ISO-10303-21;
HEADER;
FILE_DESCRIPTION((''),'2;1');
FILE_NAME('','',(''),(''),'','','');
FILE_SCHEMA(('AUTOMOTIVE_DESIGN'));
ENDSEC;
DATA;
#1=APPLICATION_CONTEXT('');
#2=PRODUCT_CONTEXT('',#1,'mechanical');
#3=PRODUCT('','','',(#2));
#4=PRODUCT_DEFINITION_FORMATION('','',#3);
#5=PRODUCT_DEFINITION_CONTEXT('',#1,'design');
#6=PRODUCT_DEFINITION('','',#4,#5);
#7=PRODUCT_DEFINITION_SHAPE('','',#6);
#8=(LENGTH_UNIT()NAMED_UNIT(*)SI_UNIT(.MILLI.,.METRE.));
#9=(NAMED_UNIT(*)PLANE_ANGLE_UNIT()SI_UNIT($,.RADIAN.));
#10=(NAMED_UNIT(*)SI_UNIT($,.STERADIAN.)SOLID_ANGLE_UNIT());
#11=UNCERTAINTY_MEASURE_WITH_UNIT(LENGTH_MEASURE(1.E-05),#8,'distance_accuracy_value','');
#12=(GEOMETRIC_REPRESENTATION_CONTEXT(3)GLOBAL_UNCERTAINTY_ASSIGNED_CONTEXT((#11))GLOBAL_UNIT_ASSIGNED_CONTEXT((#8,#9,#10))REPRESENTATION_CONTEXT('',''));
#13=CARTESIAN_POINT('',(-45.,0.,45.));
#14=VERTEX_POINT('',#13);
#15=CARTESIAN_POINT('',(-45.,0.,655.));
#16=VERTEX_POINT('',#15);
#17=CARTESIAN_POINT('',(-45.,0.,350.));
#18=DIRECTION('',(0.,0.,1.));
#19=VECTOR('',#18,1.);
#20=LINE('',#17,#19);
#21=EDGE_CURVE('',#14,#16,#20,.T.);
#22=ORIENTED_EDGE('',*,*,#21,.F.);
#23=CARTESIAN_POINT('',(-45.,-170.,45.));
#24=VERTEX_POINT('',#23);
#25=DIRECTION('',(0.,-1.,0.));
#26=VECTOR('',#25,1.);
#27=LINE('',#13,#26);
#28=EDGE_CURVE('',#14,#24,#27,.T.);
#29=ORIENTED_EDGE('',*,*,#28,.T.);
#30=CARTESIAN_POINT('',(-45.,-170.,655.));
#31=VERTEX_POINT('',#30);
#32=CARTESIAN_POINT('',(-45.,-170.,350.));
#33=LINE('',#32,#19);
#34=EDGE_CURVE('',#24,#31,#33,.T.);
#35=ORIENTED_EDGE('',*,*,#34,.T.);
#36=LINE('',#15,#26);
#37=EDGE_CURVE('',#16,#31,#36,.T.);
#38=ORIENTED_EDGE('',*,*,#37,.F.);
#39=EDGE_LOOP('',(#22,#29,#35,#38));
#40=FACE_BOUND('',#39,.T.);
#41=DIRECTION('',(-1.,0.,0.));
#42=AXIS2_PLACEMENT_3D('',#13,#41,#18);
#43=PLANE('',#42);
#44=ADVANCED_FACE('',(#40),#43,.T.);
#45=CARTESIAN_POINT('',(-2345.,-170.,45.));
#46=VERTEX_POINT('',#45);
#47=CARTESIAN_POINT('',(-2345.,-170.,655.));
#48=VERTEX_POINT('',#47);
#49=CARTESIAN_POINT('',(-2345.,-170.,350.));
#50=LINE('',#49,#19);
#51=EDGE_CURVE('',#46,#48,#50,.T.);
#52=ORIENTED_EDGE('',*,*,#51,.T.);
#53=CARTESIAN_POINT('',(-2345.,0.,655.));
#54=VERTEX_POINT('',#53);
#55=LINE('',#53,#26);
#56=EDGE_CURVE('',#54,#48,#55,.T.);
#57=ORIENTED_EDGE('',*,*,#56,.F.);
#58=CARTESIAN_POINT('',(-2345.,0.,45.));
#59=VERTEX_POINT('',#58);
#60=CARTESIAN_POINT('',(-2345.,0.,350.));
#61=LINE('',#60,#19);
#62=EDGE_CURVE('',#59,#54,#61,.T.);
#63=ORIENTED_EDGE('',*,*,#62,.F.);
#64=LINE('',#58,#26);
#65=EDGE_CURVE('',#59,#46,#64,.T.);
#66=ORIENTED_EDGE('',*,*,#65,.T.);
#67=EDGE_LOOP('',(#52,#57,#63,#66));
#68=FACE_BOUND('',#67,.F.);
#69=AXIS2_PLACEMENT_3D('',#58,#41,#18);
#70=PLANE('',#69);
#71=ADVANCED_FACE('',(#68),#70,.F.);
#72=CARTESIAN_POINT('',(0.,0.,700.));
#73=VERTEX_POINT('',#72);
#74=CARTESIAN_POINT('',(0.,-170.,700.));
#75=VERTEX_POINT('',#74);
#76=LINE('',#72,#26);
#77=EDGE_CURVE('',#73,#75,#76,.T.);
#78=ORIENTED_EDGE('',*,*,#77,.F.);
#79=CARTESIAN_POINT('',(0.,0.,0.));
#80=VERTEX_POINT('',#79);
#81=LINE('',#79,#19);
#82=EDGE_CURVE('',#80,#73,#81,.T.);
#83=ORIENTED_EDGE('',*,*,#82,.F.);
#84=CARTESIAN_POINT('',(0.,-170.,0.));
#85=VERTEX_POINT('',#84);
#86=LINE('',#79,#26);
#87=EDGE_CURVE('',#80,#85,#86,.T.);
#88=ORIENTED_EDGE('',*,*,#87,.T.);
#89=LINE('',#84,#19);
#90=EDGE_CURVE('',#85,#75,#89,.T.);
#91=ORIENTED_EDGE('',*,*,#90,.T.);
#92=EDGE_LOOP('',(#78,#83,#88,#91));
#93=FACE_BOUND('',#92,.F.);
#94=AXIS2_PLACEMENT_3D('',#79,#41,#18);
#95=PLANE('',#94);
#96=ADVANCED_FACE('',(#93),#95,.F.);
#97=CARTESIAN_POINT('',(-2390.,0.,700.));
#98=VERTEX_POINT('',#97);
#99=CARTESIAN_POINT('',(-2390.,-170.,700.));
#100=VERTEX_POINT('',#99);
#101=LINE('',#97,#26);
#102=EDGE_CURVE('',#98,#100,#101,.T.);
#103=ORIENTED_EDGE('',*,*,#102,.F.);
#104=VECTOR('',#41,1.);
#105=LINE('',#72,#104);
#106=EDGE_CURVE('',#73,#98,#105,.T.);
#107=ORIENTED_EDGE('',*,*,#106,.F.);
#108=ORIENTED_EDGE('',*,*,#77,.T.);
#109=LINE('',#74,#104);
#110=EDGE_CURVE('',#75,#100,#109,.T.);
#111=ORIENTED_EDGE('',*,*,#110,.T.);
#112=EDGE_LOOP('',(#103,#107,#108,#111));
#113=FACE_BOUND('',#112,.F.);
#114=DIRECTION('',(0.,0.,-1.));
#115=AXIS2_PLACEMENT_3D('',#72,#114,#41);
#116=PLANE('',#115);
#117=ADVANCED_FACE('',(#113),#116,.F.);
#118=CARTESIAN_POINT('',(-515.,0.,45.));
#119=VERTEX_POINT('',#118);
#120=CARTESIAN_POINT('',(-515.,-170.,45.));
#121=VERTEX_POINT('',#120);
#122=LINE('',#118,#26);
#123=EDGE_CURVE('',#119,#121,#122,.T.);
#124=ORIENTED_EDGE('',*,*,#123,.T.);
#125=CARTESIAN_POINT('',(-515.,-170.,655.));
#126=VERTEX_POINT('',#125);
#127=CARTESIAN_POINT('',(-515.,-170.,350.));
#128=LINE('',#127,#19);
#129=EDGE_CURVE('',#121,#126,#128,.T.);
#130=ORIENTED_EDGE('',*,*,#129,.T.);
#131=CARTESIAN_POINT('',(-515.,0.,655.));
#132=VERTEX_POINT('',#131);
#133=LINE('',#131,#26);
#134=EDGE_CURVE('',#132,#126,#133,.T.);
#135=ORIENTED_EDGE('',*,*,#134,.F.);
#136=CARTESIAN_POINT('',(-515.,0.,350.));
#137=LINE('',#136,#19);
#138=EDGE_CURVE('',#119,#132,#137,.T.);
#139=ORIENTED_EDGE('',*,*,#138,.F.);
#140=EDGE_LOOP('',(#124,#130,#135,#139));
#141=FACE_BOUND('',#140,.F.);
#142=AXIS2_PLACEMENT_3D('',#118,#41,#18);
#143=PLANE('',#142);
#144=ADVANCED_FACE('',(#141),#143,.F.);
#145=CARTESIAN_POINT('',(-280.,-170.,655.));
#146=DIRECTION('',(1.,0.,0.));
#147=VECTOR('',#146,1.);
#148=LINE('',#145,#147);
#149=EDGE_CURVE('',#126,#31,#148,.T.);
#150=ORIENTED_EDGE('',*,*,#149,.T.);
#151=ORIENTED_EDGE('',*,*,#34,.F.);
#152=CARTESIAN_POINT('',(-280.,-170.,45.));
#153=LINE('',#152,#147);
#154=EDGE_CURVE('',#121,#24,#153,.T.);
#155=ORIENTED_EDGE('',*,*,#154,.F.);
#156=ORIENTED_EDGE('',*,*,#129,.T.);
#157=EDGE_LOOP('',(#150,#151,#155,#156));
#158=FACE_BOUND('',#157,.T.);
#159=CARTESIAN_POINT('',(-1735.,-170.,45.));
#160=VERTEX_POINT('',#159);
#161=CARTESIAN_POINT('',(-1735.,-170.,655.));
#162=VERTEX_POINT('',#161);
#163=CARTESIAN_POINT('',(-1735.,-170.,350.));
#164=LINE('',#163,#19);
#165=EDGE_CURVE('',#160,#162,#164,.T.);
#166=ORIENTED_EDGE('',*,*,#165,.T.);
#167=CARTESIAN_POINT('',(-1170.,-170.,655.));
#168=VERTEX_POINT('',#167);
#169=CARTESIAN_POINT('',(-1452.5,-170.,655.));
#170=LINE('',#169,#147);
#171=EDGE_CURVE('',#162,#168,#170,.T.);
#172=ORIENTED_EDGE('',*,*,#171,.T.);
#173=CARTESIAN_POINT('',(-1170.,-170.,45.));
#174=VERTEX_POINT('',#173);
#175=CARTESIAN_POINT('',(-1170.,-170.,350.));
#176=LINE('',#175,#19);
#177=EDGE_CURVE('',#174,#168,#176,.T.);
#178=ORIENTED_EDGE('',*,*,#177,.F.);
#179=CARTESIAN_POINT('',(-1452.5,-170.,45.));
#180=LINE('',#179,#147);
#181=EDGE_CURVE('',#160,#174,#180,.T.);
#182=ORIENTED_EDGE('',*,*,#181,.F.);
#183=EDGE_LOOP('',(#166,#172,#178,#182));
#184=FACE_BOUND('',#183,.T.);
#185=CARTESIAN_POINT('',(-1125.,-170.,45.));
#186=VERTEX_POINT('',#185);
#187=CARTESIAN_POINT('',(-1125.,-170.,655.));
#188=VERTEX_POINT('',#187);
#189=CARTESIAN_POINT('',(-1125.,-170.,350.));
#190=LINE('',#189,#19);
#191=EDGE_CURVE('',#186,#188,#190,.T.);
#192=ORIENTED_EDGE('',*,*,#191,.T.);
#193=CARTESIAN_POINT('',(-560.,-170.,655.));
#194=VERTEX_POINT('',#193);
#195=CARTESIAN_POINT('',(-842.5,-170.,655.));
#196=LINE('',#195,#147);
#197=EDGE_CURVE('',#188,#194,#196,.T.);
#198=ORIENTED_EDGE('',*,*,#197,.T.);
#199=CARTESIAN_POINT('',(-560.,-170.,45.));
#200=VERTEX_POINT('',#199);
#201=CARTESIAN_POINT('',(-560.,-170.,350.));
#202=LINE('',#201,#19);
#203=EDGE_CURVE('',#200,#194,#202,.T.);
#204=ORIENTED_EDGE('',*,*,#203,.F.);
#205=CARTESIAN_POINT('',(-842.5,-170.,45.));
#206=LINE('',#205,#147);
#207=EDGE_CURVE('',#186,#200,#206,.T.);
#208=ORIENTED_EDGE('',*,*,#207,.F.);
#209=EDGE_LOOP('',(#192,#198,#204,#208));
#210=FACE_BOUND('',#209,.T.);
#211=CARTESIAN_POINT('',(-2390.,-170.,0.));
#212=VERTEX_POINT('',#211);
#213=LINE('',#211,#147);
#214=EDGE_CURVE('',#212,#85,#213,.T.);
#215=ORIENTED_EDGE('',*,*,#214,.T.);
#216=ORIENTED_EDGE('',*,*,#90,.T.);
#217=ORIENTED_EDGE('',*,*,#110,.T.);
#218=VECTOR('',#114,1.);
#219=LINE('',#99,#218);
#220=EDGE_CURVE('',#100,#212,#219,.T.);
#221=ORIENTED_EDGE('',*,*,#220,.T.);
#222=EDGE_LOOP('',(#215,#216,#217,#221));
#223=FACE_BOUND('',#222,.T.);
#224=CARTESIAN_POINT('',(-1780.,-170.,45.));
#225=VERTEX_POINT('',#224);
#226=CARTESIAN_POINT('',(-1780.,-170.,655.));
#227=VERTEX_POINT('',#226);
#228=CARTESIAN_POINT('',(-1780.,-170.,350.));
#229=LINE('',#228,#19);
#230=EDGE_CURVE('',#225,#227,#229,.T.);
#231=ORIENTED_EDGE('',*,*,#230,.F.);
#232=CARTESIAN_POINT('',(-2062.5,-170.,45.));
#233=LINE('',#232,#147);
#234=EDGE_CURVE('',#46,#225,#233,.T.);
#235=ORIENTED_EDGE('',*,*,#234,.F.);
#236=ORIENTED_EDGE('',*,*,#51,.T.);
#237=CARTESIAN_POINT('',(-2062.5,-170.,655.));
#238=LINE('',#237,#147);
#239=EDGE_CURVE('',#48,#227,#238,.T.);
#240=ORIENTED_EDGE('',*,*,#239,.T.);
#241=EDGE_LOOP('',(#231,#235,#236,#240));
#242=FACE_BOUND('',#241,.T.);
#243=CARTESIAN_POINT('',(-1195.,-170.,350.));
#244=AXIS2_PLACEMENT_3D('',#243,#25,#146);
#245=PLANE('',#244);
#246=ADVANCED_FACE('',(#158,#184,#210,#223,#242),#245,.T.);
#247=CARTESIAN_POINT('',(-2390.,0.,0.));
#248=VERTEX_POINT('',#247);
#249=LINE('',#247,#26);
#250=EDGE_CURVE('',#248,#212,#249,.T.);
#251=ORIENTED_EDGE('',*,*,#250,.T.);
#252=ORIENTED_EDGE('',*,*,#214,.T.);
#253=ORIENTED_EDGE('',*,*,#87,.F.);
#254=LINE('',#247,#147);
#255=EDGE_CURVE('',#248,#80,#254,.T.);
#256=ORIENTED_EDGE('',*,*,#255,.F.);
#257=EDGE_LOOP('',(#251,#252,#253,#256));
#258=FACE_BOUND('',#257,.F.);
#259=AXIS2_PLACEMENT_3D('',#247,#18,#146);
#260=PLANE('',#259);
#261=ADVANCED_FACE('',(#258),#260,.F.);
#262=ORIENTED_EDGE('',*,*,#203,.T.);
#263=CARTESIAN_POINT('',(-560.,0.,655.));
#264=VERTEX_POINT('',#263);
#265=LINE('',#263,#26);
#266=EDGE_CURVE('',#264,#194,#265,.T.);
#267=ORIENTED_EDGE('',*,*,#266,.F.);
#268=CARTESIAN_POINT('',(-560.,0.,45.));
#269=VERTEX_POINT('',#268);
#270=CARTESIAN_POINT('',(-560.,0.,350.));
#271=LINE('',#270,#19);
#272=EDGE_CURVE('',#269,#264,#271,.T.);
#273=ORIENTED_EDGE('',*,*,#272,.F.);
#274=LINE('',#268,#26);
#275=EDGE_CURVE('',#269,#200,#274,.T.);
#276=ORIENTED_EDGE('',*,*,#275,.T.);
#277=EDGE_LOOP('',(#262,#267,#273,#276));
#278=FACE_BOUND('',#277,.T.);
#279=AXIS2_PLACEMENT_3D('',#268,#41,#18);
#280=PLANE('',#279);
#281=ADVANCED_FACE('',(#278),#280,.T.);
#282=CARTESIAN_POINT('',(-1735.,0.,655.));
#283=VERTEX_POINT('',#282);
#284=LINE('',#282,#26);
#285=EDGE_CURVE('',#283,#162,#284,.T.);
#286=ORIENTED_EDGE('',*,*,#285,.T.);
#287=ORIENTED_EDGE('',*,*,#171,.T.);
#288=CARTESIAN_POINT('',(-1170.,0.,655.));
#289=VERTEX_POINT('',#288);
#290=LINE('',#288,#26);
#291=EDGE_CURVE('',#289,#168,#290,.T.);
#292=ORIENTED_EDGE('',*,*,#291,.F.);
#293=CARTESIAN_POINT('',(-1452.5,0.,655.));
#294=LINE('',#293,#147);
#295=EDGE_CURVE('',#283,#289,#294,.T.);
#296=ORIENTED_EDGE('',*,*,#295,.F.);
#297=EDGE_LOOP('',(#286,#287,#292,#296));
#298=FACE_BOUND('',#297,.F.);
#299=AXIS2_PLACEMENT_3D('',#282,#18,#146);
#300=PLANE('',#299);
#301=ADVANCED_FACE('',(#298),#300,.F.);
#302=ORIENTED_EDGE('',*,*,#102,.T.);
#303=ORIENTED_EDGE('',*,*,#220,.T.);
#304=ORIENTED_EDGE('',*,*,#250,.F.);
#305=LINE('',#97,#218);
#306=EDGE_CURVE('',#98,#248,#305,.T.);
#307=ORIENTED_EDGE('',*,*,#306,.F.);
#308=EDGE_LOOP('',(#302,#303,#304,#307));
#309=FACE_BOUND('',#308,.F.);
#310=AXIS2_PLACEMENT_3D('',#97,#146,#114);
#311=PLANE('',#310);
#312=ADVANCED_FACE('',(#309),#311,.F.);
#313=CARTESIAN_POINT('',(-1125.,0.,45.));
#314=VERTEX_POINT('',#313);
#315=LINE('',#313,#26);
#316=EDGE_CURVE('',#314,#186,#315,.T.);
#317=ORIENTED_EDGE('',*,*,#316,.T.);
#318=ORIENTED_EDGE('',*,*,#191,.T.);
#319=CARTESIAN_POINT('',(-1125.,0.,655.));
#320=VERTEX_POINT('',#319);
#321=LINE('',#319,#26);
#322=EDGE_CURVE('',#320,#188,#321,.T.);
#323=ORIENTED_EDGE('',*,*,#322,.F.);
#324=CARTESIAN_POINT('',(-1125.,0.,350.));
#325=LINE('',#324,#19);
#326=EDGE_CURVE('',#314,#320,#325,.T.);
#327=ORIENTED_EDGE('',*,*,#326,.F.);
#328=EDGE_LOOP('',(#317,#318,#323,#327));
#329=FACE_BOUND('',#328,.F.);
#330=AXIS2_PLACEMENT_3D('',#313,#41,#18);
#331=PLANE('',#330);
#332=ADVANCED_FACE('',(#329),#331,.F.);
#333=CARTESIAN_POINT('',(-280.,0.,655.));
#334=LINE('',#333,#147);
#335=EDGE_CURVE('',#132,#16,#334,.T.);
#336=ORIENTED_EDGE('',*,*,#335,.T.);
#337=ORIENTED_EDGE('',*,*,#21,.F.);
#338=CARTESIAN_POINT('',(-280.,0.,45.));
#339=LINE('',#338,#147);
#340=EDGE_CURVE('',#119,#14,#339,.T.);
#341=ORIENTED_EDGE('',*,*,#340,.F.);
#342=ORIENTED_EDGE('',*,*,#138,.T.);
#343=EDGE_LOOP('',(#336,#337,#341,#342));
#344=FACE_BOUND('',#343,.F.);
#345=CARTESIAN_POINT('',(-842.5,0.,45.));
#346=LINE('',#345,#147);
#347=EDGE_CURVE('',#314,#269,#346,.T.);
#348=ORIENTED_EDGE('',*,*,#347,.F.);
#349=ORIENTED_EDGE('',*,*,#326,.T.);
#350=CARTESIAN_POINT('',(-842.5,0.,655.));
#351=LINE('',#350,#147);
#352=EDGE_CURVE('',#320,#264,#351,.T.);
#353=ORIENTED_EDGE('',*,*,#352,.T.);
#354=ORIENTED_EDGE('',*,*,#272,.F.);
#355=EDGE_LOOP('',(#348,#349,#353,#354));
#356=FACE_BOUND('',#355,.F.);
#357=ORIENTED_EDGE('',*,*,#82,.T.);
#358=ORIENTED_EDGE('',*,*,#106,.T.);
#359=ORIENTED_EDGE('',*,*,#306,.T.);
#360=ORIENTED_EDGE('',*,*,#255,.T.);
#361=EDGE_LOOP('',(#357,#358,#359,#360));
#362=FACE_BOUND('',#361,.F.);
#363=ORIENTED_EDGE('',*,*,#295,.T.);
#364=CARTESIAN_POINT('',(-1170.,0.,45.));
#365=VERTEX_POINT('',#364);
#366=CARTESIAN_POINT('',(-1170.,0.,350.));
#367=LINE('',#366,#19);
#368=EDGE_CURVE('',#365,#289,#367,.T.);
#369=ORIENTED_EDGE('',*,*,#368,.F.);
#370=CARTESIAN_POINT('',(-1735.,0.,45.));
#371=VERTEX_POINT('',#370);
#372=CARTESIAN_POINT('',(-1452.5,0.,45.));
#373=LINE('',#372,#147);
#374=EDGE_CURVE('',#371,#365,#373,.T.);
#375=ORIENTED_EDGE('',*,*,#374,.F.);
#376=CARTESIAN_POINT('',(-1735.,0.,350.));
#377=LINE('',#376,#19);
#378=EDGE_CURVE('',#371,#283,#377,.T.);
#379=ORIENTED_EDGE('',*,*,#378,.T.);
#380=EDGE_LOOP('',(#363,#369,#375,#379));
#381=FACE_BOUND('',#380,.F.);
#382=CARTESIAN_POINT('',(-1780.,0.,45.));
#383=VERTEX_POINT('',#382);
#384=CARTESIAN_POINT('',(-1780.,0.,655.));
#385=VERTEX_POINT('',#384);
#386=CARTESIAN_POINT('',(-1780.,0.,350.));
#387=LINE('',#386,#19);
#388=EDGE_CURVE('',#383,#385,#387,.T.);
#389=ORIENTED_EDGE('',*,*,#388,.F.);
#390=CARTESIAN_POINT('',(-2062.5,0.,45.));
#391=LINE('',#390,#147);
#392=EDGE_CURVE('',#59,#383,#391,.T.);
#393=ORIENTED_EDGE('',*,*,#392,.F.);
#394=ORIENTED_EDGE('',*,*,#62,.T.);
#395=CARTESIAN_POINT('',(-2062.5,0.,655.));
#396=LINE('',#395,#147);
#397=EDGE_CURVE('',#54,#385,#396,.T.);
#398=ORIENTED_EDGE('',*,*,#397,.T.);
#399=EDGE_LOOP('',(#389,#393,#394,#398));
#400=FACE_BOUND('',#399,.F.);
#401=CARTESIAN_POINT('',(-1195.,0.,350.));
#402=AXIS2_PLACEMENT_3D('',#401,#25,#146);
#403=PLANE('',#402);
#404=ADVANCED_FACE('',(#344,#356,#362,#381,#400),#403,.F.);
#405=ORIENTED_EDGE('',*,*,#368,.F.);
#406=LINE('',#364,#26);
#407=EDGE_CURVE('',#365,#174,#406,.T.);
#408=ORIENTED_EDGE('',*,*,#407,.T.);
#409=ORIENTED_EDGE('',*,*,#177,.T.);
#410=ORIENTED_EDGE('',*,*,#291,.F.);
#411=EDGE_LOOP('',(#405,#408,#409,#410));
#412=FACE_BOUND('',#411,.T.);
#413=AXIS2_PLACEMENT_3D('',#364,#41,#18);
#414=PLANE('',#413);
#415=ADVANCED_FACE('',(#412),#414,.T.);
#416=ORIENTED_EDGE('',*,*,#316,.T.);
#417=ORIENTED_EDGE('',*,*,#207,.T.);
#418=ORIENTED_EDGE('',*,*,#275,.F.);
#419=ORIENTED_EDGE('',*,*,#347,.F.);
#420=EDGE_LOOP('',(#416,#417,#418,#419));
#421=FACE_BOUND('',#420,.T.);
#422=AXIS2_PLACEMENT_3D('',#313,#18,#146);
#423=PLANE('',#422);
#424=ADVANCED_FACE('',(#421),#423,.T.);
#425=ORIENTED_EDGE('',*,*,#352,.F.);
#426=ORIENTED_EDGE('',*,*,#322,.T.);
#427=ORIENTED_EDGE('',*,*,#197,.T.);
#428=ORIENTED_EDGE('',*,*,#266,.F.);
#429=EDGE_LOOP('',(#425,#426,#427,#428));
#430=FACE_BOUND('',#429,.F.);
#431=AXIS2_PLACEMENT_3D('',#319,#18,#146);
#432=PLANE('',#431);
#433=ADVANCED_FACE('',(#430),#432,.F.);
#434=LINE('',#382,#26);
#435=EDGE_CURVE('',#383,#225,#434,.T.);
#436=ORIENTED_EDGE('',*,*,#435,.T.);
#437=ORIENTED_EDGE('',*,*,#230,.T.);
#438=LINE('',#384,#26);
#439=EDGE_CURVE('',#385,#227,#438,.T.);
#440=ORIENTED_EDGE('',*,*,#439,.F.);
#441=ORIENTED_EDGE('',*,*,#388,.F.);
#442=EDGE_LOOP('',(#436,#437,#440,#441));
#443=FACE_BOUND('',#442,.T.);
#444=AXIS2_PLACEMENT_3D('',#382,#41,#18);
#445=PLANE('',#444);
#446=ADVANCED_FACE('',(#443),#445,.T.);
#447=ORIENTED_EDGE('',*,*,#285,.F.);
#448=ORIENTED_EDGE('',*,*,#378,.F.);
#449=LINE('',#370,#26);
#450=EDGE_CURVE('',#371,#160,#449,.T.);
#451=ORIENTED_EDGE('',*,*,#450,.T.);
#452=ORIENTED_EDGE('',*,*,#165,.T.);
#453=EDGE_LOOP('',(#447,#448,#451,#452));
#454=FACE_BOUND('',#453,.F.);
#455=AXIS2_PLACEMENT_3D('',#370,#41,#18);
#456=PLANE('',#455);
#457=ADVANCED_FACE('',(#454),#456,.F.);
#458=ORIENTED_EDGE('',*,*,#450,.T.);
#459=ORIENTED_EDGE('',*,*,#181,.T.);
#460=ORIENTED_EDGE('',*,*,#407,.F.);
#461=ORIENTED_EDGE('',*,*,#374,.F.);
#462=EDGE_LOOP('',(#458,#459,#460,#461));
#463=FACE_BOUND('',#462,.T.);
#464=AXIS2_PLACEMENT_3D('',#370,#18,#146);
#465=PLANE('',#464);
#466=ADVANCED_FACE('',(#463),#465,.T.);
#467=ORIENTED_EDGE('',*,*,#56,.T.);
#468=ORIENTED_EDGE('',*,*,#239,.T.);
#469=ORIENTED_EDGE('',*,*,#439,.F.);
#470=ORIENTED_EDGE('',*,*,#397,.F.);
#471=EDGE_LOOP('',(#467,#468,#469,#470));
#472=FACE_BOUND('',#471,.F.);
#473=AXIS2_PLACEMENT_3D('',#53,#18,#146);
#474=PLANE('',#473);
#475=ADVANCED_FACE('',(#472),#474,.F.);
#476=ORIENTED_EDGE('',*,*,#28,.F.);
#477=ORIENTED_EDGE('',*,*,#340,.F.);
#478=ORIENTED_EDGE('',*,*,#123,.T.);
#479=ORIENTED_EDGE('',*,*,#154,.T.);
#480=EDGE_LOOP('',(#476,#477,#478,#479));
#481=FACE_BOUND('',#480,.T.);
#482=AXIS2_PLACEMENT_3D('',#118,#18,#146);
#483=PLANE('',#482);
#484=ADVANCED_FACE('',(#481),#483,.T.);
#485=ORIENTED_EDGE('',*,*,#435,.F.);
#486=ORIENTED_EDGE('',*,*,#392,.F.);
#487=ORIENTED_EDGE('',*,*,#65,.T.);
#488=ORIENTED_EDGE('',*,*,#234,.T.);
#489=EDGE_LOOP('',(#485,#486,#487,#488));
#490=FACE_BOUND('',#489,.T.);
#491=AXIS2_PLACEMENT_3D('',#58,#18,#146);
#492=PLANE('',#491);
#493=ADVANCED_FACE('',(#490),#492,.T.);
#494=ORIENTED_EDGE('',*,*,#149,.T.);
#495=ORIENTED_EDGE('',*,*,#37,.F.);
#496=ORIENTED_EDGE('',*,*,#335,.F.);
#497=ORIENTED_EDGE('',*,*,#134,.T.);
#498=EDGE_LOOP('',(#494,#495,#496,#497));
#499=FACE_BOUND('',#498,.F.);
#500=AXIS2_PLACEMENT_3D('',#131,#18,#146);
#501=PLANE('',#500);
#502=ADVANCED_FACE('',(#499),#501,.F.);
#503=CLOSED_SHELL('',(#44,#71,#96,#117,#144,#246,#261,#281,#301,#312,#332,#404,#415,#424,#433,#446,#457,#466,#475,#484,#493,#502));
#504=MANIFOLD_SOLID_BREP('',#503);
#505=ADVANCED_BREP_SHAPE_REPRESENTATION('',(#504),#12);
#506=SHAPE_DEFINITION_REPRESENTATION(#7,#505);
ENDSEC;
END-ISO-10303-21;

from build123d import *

# Parameters (mm, degrees)
F0_W     = 565
F0_H     = 610
F0_W_2   = 470
F1_DEPTH = 170


with BuildPart() as f1:
    # F0 (on Front) → F1 (new body)
    with BuildSketch(Plane.XZ):
        Polygon((-2390, 0), (0, 0), (0, 700), (-2390, 700), (-2390, 45), align=None)
        with Locations((-2062.5, 350)):
            Rectangle(F0_W, F0_H, mode=Mode.SUBTRACT)
        with Locations((-1452.5, 350)):
            Rectangle(F0_W, F0_H, mode=Mode.SUBTRACT)
        with Locations((-842.5, 350)):
            Rectangle(F0_W, F0_H, mode=Mode.SUBTRACT)
        with Locations((-280, 350)):
            Rectangle(F0_W_2, F0_H, mode=Mode.SUBTRACT)
    extrude(amount=F1_DEPTH)


solid = f1.part
